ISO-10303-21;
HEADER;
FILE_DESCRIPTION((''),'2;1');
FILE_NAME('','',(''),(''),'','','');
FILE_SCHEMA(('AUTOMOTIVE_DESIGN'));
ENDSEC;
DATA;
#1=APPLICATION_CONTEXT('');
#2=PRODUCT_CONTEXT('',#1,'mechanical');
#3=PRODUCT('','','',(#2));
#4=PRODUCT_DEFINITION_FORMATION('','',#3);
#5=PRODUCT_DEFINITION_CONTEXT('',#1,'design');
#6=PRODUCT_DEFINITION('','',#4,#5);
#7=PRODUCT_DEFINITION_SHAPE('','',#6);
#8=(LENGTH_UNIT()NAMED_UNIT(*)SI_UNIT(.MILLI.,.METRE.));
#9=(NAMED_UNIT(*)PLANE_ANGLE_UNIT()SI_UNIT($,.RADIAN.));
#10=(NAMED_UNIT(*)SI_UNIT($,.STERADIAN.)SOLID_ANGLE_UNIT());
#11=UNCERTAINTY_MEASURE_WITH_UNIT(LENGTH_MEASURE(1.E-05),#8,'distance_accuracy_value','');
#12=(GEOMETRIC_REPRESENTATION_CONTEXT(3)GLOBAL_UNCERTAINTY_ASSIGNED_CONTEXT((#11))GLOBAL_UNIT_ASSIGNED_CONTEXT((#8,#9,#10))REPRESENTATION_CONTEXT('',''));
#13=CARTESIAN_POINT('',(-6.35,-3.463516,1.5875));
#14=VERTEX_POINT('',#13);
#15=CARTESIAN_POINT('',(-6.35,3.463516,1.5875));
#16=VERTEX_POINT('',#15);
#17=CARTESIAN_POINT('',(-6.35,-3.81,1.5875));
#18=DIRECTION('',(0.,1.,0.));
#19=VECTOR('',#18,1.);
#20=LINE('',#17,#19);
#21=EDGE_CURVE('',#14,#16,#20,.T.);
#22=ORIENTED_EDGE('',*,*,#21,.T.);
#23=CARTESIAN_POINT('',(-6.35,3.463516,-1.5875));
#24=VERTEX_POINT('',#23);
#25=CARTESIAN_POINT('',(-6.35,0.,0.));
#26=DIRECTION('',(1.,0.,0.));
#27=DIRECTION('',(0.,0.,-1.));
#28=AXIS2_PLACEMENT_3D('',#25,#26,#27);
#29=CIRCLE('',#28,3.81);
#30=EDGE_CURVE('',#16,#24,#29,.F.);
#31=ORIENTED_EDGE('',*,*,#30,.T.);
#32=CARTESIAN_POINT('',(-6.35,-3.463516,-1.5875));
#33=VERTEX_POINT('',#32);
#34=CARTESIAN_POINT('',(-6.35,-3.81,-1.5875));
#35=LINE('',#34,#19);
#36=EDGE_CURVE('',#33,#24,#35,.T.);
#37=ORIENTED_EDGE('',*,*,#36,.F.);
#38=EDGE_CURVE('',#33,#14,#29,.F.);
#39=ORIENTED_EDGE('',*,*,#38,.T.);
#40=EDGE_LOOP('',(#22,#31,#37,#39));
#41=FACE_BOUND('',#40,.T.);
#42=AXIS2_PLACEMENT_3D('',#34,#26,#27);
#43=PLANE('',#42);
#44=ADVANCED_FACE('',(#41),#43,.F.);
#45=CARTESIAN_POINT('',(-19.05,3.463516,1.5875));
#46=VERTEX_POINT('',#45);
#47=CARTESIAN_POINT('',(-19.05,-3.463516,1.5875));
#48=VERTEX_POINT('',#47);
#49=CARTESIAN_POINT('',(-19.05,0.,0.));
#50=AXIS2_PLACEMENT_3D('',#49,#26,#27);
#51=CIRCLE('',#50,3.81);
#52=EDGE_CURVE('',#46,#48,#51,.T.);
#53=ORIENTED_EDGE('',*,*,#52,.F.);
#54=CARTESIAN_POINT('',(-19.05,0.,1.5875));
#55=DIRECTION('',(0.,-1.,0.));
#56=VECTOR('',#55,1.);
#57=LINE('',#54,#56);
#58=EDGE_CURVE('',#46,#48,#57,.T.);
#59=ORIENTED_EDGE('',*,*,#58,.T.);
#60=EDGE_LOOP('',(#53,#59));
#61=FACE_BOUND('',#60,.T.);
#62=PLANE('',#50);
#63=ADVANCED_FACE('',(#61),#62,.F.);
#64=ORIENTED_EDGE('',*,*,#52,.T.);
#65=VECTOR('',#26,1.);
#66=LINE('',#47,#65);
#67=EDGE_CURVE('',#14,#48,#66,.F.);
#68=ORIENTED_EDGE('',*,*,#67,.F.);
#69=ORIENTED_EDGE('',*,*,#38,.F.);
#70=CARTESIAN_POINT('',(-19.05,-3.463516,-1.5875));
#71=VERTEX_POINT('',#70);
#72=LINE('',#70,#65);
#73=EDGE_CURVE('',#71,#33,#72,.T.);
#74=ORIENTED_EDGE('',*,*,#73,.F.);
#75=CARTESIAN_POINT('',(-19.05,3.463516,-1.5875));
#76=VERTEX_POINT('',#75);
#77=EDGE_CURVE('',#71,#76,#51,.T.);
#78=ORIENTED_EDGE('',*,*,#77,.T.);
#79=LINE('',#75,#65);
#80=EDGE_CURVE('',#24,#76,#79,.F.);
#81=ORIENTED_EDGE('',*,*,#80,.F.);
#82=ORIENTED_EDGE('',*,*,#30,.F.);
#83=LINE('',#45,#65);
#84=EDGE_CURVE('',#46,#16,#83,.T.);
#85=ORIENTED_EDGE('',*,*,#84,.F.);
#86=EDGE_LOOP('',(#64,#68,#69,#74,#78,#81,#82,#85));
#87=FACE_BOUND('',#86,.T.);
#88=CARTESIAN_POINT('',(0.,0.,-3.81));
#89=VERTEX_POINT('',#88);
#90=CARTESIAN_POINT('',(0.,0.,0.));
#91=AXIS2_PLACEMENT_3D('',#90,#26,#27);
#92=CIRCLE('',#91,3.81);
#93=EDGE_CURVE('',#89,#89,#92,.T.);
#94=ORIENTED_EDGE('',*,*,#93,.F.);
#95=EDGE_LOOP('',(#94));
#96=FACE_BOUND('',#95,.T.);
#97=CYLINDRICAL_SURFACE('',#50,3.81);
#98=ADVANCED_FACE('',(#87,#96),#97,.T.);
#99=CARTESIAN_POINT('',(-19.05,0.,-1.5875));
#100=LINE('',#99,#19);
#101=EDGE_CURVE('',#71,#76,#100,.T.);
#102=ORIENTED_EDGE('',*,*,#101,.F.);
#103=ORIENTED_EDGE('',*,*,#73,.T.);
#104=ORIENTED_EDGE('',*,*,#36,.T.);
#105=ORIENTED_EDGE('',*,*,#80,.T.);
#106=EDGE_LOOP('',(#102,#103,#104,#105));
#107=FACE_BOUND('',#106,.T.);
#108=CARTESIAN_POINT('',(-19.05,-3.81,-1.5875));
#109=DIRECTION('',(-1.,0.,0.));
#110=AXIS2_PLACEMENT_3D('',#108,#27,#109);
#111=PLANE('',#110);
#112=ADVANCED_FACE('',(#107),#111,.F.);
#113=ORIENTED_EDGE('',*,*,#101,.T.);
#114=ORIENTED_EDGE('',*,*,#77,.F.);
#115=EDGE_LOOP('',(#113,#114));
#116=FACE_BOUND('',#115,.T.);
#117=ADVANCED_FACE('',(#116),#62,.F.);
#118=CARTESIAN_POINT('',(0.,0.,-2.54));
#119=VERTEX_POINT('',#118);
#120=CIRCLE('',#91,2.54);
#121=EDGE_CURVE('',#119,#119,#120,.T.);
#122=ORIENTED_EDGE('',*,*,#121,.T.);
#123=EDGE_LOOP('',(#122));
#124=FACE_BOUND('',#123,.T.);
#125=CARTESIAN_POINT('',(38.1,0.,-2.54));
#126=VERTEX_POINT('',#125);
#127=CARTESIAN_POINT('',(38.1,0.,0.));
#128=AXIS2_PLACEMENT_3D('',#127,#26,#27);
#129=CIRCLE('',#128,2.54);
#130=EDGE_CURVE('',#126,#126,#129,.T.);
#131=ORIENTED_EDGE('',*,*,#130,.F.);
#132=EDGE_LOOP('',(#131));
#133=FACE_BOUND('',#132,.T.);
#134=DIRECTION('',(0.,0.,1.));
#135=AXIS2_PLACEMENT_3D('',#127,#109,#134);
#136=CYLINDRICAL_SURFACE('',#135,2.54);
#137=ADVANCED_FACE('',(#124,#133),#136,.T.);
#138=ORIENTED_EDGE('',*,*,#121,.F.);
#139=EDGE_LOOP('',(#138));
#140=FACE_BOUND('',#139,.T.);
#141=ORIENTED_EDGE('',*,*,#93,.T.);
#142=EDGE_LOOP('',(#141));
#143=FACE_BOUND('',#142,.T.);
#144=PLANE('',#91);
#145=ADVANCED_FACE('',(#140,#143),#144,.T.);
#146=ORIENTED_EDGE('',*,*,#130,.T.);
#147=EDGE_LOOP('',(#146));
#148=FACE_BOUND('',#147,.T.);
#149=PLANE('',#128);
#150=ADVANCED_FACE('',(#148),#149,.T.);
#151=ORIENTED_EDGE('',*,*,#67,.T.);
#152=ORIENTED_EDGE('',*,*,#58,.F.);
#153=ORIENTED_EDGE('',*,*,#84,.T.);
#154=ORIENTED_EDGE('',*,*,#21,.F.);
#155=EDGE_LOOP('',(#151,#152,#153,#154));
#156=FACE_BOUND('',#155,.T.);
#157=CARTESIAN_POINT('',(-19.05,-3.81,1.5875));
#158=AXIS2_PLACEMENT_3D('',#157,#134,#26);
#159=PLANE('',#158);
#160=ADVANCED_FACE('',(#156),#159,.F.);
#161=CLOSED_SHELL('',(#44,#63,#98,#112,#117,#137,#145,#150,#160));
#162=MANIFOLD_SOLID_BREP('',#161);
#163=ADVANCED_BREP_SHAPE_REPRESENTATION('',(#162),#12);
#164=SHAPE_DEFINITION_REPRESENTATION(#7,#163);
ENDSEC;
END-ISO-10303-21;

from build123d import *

# Parameters (mm, degrees)
SKETCH1_R               = 2.54
BOSS_EXTRUDE1_DEPTH     = 38.1
SKETCH2_R               = 3.81
BOSS_EXTRUDE2_DEPTH     = 19.05
SKETCH3_W               = 12.7
SKETCH3_H               = 3.175
CUT_EXTRUDE1_DEPTH      = 4.81
CUT_EXTRUDE1_DEPTH_BACK = 4.81


with BuildPart() as part:
    # Sketch1 → Boss-Extrude1 (new body)
    with BuildSketch(Plane(origin=(0, 0, 0), x_dir=(0, 0, -1), z_dir=(1, 0, 0))):
        Circle(SKETCH1_R)
    extrude(amount=BOSS_EXTRUDE1_DEPTH)

    # Sketch2 → Boss-Extrude2 (add)
    with BuildSketch(Plane(origin=(0, 0, 0), x_dir=(0, 0, -1), z_dir=(1, 0, 0))):
        Circle(SKETCH2_R)
    extrude(amount=-BOSS_EXTRUDE2_DEPTH)

    # Sketch3 → Cut-Extrude1 (cut, two sides)
    with BuildSketch(Plane(origin=(0, 0, 0), x_dir=(1, 0, 0), z_dir=(0, 1, 0))) as cut_extrude1_sk:
        with Locations((-12.7, 0)):
            Rectangle(SKETCH3_W, SKETCH3_H)
    extrude(amount=CUT_EXTRUDE1_DEPTH, mode=Mode.SUBTRACT)
    extrude(cut_extrude1_sk.sketch, amount=-CUT_EXTRUDE1_DEPTH_BACK, mode=Mode.SUBTRACT)


solid = part.part
